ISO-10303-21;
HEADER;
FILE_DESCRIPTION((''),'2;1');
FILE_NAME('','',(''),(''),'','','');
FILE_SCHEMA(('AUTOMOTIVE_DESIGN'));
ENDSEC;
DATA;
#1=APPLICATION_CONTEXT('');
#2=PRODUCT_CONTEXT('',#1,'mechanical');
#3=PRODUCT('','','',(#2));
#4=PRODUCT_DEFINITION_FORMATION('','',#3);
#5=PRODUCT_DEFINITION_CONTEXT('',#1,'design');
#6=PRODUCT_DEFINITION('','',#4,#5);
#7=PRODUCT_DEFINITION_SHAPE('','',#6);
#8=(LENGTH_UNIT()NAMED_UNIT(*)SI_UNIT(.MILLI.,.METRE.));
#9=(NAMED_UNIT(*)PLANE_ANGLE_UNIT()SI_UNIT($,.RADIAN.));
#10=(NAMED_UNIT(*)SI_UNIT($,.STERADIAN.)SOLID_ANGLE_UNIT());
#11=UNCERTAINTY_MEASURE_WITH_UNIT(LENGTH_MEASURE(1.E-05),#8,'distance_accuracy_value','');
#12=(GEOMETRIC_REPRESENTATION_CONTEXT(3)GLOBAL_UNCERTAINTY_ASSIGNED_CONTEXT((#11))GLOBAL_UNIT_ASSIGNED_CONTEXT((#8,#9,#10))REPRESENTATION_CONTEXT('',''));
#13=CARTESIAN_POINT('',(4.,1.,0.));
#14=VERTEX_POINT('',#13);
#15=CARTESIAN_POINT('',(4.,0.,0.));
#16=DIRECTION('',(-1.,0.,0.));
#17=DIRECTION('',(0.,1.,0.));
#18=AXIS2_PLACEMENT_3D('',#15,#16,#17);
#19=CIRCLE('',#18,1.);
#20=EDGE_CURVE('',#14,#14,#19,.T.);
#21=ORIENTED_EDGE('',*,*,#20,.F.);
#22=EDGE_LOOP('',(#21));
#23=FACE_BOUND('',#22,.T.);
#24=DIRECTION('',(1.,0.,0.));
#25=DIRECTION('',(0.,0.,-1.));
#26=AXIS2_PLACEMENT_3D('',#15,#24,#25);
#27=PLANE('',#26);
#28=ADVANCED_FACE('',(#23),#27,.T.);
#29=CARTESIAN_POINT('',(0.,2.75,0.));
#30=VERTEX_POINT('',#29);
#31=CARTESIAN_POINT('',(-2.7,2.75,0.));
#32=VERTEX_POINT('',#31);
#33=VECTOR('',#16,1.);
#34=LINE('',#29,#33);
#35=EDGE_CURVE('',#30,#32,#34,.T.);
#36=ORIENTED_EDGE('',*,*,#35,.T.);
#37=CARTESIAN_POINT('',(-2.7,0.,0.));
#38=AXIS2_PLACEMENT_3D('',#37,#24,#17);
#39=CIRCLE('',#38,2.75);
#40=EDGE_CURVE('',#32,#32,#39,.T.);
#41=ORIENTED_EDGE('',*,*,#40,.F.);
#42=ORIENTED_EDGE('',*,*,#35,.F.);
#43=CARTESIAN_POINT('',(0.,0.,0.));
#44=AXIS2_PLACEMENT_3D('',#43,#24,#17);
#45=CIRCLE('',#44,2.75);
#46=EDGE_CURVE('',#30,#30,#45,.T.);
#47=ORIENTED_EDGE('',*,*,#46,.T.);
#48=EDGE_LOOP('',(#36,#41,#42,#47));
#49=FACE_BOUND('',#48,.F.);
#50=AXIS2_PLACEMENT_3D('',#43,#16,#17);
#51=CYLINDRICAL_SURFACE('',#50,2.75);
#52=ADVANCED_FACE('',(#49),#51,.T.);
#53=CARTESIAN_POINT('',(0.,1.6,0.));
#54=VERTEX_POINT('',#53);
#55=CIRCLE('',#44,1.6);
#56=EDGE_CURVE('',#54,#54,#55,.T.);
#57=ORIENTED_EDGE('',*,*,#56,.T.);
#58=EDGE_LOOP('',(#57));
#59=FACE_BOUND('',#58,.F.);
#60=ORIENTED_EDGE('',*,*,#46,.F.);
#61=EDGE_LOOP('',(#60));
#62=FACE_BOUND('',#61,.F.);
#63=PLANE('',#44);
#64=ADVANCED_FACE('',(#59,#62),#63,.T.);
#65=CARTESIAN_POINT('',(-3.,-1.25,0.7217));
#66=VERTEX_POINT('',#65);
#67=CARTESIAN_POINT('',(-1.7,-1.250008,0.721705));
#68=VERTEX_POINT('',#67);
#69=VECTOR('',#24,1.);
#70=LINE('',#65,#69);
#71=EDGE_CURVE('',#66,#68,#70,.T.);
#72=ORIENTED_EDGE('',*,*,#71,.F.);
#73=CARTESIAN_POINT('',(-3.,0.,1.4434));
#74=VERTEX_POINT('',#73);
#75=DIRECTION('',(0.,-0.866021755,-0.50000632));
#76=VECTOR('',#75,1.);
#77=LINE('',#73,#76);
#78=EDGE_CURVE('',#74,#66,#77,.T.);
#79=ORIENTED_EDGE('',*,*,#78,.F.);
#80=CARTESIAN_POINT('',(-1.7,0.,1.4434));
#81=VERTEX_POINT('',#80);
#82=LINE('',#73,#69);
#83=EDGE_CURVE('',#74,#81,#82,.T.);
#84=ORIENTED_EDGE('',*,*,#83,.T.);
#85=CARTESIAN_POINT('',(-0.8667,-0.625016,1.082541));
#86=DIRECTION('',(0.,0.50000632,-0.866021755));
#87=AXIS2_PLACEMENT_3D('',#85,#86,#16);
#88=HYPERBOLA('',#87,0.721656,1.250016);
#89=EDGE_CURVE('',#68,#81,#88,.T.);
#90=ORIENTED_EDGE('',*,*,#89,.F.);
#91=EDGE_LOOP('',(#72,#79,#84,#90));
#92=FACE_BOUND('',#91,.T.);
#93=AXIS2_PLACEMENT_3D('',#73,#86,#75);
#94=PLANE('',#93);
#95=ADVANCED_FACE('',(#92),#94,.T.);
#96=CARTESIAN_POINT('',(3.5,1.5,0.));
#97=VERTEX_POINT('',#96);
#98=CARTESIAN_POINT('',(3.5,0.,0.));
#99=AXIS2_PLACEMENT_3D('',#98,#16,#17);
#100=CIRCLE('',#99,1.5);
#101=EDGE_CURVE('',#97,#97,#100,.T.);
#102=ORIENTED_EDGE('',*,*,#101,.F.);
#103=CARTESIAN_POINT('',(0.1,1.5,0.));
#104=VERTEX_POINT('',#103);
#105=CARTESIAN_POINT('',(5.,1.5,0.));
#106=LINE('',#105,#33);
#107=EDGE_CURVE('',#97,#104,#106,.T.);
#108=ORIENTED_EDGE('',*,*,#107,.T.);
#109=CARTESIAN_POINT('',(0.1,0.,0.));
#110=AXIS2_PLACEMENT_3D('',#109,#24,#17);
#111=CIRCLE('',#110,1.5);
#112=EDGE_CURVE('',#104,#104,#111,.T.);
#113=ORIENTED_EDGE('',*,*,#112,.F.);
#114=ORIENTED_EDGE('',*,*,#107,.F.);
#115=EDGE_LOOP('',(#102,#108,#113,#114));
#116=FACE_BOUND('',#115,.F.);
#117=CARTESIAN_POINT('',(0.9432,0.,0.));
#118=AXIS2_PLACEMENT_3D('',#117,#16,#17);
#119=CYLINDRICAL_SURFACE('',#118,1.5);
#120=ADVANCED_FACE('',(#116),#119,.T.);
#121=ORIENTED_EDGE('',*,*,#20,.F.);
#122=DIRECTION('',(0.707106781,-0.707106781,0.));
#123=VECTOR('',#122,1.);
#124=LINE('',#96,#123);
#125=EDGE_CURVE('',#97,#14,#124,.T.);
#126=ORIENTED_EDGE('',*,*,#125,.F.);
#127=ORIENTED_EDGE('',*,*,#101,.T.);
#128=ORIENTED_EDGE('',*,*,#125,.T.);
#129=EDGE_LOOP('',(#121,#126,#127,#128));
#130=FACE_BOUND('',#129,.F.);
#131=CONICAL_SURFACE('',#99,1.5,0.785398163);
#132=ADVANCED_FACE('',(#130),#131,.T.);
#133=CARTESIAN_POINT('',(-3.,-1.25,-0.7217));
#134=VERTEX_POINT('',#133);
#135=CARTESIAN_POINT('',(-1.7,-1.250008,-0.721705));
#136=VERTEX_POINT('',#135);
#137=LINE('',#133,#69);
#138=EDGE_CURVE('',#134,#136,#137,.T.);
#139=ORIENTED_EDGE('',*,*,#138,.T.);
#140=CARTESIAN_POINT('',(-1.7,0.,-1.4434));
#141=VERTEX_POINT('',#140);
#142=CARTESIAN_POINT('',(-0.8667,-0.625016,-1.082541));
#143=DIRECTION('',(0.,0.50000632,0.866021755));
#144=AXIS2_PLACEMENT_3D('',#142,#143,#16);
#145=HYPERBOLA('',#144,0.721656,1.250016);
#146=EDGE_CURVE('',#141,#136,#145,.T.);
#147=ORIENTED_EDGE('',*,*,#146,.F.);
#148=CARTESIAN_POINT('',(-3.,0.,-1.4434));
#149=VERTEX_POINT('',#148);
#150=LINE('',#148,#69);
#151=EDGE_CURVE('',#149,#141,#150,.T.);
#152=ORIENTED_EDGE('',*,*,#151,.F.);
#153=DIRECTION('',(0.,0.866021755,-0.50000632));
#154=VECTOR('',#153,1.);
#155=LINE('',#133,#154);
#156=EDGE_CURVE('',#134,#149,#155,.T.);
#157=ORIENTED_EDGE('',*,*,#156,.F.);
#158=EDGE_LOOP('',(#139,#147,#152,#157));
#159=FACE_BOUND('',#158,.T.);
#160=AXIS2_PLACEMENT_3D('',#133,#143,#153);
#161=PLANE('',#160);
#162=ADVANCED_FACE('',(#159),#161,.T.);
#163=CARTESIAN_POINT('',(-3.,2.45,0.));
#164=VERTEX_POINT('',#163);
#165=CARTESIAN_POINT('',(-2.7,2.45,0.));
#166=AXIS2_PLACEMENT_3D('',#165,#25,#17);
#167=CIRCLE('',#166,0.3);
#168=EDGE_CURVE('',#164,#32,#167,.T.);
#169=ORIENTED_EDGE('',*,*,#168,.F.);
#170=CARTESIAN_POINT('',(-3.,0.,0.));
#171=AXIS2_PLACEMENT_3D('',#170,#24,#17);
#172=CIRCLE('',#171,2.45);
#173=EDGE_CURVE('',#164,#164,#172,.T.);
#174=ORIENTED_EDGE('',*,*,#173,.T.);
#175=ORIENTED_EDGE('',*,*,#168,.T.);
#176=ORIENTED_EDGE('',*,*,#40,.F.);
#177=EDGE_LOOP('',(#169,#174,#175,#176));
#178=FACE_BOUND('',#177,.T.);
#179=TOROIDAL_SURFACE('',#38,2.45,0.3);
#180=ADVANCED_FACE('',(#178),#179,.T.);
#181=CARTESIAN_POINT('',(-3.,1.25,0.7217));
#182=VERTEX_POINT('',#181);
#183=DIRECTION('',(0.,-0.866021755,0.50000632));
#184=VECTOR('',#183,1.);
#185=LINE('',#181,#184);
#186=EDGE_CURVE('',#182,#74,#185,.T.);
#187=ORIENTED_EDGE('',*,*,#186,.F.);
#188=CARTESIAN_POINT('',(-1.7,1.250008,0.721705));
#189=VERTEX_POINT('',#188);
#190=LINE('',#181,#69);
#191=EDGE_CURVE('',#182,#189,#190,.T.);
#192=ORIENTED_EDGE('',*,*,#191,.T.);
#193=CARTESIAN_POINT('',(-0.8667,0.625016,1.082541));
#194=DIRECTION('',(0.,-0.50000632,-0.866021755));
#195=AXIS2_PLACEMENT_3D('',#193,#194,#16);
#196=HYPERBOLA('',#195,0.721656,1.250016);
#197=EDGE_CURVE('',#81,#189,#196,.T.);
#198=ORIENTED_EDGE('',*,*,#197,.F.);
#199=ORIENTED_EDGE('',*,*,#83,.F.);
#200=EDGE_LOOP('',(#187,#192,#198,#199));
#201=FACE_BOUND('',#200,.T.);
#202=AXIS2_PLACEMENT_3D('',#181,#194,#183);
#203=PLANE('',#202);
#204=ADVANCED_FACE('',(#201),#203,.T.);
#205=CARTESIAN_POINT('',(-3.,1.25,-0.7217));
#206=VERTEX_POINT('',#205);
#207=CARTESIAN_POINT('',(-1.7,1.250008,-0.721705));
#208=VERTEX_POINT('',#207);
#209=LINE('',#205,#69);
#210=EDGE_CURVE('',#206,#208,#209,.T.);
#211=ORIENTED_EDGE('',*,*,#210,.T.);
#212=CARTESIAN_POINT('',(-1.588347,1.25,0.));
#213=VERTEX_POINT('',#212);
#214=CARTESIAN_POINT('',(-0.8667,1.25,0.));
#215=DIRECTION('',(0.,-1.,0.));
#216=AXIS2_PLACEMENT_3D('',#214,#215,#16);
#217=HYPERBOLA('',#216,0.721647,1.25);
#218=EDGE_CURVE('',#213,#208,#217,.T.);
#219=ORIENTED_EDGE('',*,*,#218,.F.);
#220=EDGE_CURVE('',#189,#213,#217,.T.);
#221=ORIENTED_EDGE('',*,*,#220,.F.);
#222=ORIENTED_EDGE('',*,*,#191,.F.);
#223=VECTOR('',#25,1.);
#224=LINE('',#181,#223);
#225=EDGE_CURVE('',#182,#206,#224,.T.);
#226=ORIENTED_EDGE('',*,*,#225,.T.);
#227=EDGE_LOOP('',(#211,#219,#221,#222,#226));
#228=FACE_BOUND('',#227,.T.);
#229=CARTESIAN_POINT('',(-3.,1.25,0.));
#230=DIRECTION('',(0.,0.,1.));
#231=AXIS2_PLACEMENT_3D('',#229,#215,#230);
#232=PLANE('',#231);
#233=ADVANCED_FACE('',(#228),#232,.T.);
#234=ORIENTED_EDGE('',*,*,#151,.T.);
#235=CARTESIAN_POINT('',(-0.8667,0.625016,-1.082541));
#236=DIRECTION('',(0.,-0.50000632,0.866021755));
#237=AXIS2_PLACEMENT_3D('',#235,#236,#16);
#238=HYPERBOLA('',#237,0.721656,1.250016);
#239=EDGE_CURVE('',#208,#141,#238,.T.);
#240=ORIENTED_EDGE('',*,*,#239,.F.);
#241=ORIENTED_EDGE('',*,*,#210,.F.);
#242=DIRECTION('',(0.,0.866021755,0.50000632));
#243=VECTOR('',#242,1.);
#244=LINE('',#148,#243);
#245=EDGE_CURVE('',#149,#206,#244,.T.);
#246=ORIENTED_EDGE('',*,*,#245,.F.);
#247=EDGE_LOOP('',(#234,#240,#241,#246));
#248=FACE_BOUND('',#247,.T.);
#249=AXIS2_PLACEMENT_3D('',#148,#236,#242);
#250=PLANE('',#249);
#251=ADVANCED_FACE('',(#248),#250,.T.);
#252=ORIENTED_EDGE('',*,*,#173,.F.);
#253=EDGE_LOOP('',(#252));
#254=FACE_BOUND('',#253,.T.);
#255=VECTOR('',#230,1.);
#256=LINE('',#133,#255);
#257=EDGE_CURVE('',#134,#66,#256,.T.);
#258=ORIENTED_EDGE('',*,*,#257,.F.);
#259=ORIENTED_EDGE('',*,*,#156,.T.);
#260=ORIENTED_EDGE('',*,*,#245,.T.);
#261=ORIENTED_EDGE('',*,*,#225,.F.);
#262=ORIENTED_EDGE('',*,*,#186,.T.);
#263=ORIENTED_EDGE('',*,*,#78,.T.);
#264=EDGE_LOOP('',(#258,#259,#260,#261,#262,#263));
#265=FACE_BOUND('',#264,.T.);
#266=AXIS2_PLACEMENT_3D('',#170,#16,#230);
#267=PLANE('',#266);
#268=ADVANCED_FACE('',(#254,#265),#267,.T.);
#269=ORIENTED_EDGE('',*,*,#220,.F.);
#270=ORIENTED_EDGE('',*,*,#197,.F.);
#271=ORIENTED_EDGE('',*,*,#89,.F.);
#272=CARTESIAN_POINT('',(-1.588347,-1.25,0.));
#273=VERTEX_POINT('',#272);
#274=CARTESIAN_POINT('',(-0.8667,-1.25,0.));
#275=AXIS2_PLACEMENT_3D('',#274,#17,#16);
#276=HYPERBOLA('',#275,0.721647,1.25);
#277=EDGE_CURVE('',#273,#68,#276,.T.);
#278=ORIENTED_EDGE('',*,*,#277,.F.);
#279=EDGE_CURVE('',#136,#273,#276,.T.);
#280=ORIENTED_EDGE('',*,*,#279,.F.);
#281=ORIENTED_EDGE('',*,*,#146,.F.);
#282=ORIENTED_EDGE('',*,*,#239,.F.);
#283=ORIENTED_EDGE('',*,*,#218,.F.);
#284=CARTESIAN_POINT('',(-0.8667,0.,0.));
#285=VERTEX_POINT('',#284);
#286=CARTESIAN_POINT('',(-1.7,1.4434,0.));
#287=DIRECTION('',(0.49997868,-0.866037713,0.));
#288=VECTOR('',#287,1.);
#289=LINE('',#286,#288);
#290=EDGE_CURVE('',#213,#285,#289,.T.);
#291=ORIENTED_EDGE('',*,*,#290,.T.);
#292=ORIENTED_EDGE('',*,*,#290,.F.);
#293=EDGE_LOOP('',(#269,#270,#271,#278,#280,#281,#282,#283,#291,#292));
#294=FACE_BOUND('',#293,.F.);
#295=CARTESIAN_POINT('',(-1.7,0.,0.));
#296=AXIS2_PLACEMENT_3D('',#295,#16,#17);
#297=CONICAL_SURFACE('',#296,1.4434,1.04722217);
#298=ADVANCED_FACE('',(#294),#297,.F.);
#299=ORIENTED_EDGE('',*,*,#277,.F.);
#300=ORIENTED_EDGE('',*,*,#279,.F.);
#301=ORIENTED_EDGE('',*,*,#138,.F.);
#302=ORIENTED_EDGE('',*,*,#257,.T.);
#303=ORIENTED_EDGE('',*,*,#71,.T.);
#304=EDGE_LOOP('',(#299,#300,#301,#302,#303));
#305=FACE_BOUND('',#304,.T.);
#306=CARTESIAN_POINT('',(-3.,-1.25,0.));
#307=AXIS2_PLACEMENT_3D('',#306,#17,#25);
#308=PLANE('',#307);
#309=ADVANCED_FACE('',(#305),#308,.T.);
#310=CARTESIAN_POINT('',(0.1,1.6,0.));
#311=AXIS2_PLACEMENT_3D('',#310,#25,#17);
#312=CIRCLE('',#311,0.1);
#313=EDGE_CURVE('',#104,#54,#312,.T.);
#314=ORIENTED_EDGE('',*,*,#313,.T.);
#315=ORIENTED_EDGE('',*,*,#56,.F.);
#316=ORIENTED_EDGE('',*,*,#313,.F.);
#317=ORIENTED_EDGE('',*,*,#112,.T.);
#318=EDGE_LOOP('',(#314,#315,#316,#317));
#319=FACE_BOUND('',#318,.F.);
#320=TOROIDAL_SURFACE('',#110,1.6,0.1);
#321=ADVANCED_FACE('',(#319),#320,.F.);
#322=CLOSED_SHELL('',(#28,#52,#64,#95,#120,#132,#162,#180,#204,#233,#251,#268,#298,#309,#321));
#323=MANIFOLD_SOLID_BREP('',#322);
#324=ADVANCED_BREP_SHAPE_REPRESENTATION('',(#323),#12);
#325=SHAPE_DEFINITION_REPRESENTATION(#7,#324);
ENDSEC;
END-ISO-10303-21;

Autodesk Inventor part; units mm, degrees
ref_plane "YZ Plane" through (0, 0, 0) normal (1, 0, 0) x (0, 1, 0)
ref_plane "XZ Plane" through (0, 0, 0) normal (0, 1, 0) x (-1, 0, 0)
sketch "Sketch1" plane through (0, 0, 0) normal (0, 0, 1) x (1, 0, 0)
  line L0 (-0.8667, 0) -> (5, 0)
  line L1 (5, 0) -> (5, 1.5)
  line L2 (5, 1.5) -> (1.25, 1.5)
  line L3 (1.25, 1.5) -> (0.9432, 1.5)
  line L4 (0.9432, 1.5) -> (0, 1.5)
  line L5 (0, 1.5) -> (0, 2.75)
  line L6 (0, 2.75) -> (-3, 2.75)
  line L7 (-3, 2.75) -> (-3, 1.4434)
  line L8 (-3, 1.4434) -> (-1.7, 1.4434)
  line L9 (-1.7, 1.4434) -> (-0.8667, 0)
  line L10 (-4.6, 0) -> (6.6, 0) projected
  line L11 (0, -0.55) -> (0, 3.3) projected
  line L12 (1.25, 1.5) -> (0, 1.5) construction
  dimension "d1" = 3.75
  dimension "d2" = 0.3068
  dimension "d3" = 3
  dimension "d4" = 1.3
  dimension "d5" = 60
  dimension "d6" = 3
  dimension "d7" = 3
  dimension "d8" = 2.8868
  dimension "d9" = 5.5
  dimension "d26" = 5
revolve "Body" add sketch "Sketch1" angle 360 about axis through (-0.8667, 0, 0) along (1, 0, 0)
sketch "Sketch2" plane through (-3, 0, 0) normal (-1, 0, 0) x (0, 0, 1)
  circle A0 centre (0, 0) radius 1.4434 projected
  line L0 (0, -3.85) -> (0, 3.85) projected
  line L1 (-3.85, 0) -> (3.85, 0) projected
  line L2 (1.4434, 0) -> (0.7217, -1.25)
  line L3 (0.7217, -1.25) -> (-0.7217, -1.25)
  line L4 (-0.7217, -1.25) -> (-1.4434, 0)
  line L5 (-1.4434, 0) -> (-0.7217, 1.25)
  line L6 (-0.7217, 1.25) -> (0.7217, 1.25)
  line L7 (0.7217, 1.25) -> (1.4434, 0)
extrude "Slot" add sketch "Sketch2" against normal up to next contours L7 A0 | A0 L2 | L6 L0 A0 | A0 L0 L3 | L0 L6 A0 | A0 L3 L0 | L4 A0 | A0 L5
fillet "Fillet1" radius 0.3 1 edges at (-3, -2.75, 0)
thread "Thread" size "M3x0.5" class "6g" standard "ISO Metric profile" length 3.75
chamfer "Chamfer1" distance 0.3067 distance2 0.3067 1 edges at (5, -1.5, 0) measured on face at (5, -0.2617, -0.7882)
ref_plane "Work Plane1" through (29, 0, 0) normal (0, -1, 0) x (1, 0, 0)
fillet "Fillet2" radius 0.1 1 edges at (0, -1.5, 0)
sketch "Sketch4" plane through (5, 0, 0) normal (1, 0, 0) x (0, 0, -1)
  circle A0 centre (0, 0) radius 2.75 projected
  circle A1 centre (0, 0) radius 1.6 projected
  point P0 (0, 0)
extrude "Extrusion3" cut sketch "Sketch4" against normal blind 1 contours A1
chamfer "Chamfer3" distance 0.5 angle 45 1 edges at (4, -1.5, 0)
equation "\"d1\" = GEL"
equation "\"d3\" = KOH"
equation "\"d4\" = INTI"
equation "\"d6\" = GD"
equation "\"d7\" = BDM"
equation "\"d8\" = 1.1547 * SW"
equation "\"d9\" = KOD"
equation "\"d26\" = NLG"
equation "\"d30\" = R"
equation "\"d17\" = RR"
equation "\"d13\" = GEL"
equation "\"d15\" = -0.5 * SPD + 0.5 * GD"
equation "\"d16\" = GUL"
equation "\"GD\" = 3"
equation "\"NLG\" = 5"
equation "\"GEL\" = 3.75"
equation "\"KOD\" = 5.5"
equation "\"KOH\" = 3"
equation "\"INTI\" = 1.3"
equation "\"GAL\" = 0.61345 * PTC"
equation "\"GUL\" = 0.61345 * PTC"
equation "\"BDM\" = NND"
equation "\"SW\" = 2.5"
equation "\"RR\" = 0.3"
equation "\"SPD\" = NND - 1.2269 * PTC"
equation "\"R\" = 0.1"
equation "\"TOA\" = 30deg"
equation "\"GD1\" = THREADDIA - 1.2269 * PTC"
equation "\"THREADDIA\" = 3"
equation "\"FAWI\" = 45deg"
equation "\"PTC\" = 0.5"
equation "\"NND\" = 3"
equation "\"E0\" = 1.155 * SW"
properties part number "ISO 4762 - M3 x 4" material "Stainless Steel, 440C"
